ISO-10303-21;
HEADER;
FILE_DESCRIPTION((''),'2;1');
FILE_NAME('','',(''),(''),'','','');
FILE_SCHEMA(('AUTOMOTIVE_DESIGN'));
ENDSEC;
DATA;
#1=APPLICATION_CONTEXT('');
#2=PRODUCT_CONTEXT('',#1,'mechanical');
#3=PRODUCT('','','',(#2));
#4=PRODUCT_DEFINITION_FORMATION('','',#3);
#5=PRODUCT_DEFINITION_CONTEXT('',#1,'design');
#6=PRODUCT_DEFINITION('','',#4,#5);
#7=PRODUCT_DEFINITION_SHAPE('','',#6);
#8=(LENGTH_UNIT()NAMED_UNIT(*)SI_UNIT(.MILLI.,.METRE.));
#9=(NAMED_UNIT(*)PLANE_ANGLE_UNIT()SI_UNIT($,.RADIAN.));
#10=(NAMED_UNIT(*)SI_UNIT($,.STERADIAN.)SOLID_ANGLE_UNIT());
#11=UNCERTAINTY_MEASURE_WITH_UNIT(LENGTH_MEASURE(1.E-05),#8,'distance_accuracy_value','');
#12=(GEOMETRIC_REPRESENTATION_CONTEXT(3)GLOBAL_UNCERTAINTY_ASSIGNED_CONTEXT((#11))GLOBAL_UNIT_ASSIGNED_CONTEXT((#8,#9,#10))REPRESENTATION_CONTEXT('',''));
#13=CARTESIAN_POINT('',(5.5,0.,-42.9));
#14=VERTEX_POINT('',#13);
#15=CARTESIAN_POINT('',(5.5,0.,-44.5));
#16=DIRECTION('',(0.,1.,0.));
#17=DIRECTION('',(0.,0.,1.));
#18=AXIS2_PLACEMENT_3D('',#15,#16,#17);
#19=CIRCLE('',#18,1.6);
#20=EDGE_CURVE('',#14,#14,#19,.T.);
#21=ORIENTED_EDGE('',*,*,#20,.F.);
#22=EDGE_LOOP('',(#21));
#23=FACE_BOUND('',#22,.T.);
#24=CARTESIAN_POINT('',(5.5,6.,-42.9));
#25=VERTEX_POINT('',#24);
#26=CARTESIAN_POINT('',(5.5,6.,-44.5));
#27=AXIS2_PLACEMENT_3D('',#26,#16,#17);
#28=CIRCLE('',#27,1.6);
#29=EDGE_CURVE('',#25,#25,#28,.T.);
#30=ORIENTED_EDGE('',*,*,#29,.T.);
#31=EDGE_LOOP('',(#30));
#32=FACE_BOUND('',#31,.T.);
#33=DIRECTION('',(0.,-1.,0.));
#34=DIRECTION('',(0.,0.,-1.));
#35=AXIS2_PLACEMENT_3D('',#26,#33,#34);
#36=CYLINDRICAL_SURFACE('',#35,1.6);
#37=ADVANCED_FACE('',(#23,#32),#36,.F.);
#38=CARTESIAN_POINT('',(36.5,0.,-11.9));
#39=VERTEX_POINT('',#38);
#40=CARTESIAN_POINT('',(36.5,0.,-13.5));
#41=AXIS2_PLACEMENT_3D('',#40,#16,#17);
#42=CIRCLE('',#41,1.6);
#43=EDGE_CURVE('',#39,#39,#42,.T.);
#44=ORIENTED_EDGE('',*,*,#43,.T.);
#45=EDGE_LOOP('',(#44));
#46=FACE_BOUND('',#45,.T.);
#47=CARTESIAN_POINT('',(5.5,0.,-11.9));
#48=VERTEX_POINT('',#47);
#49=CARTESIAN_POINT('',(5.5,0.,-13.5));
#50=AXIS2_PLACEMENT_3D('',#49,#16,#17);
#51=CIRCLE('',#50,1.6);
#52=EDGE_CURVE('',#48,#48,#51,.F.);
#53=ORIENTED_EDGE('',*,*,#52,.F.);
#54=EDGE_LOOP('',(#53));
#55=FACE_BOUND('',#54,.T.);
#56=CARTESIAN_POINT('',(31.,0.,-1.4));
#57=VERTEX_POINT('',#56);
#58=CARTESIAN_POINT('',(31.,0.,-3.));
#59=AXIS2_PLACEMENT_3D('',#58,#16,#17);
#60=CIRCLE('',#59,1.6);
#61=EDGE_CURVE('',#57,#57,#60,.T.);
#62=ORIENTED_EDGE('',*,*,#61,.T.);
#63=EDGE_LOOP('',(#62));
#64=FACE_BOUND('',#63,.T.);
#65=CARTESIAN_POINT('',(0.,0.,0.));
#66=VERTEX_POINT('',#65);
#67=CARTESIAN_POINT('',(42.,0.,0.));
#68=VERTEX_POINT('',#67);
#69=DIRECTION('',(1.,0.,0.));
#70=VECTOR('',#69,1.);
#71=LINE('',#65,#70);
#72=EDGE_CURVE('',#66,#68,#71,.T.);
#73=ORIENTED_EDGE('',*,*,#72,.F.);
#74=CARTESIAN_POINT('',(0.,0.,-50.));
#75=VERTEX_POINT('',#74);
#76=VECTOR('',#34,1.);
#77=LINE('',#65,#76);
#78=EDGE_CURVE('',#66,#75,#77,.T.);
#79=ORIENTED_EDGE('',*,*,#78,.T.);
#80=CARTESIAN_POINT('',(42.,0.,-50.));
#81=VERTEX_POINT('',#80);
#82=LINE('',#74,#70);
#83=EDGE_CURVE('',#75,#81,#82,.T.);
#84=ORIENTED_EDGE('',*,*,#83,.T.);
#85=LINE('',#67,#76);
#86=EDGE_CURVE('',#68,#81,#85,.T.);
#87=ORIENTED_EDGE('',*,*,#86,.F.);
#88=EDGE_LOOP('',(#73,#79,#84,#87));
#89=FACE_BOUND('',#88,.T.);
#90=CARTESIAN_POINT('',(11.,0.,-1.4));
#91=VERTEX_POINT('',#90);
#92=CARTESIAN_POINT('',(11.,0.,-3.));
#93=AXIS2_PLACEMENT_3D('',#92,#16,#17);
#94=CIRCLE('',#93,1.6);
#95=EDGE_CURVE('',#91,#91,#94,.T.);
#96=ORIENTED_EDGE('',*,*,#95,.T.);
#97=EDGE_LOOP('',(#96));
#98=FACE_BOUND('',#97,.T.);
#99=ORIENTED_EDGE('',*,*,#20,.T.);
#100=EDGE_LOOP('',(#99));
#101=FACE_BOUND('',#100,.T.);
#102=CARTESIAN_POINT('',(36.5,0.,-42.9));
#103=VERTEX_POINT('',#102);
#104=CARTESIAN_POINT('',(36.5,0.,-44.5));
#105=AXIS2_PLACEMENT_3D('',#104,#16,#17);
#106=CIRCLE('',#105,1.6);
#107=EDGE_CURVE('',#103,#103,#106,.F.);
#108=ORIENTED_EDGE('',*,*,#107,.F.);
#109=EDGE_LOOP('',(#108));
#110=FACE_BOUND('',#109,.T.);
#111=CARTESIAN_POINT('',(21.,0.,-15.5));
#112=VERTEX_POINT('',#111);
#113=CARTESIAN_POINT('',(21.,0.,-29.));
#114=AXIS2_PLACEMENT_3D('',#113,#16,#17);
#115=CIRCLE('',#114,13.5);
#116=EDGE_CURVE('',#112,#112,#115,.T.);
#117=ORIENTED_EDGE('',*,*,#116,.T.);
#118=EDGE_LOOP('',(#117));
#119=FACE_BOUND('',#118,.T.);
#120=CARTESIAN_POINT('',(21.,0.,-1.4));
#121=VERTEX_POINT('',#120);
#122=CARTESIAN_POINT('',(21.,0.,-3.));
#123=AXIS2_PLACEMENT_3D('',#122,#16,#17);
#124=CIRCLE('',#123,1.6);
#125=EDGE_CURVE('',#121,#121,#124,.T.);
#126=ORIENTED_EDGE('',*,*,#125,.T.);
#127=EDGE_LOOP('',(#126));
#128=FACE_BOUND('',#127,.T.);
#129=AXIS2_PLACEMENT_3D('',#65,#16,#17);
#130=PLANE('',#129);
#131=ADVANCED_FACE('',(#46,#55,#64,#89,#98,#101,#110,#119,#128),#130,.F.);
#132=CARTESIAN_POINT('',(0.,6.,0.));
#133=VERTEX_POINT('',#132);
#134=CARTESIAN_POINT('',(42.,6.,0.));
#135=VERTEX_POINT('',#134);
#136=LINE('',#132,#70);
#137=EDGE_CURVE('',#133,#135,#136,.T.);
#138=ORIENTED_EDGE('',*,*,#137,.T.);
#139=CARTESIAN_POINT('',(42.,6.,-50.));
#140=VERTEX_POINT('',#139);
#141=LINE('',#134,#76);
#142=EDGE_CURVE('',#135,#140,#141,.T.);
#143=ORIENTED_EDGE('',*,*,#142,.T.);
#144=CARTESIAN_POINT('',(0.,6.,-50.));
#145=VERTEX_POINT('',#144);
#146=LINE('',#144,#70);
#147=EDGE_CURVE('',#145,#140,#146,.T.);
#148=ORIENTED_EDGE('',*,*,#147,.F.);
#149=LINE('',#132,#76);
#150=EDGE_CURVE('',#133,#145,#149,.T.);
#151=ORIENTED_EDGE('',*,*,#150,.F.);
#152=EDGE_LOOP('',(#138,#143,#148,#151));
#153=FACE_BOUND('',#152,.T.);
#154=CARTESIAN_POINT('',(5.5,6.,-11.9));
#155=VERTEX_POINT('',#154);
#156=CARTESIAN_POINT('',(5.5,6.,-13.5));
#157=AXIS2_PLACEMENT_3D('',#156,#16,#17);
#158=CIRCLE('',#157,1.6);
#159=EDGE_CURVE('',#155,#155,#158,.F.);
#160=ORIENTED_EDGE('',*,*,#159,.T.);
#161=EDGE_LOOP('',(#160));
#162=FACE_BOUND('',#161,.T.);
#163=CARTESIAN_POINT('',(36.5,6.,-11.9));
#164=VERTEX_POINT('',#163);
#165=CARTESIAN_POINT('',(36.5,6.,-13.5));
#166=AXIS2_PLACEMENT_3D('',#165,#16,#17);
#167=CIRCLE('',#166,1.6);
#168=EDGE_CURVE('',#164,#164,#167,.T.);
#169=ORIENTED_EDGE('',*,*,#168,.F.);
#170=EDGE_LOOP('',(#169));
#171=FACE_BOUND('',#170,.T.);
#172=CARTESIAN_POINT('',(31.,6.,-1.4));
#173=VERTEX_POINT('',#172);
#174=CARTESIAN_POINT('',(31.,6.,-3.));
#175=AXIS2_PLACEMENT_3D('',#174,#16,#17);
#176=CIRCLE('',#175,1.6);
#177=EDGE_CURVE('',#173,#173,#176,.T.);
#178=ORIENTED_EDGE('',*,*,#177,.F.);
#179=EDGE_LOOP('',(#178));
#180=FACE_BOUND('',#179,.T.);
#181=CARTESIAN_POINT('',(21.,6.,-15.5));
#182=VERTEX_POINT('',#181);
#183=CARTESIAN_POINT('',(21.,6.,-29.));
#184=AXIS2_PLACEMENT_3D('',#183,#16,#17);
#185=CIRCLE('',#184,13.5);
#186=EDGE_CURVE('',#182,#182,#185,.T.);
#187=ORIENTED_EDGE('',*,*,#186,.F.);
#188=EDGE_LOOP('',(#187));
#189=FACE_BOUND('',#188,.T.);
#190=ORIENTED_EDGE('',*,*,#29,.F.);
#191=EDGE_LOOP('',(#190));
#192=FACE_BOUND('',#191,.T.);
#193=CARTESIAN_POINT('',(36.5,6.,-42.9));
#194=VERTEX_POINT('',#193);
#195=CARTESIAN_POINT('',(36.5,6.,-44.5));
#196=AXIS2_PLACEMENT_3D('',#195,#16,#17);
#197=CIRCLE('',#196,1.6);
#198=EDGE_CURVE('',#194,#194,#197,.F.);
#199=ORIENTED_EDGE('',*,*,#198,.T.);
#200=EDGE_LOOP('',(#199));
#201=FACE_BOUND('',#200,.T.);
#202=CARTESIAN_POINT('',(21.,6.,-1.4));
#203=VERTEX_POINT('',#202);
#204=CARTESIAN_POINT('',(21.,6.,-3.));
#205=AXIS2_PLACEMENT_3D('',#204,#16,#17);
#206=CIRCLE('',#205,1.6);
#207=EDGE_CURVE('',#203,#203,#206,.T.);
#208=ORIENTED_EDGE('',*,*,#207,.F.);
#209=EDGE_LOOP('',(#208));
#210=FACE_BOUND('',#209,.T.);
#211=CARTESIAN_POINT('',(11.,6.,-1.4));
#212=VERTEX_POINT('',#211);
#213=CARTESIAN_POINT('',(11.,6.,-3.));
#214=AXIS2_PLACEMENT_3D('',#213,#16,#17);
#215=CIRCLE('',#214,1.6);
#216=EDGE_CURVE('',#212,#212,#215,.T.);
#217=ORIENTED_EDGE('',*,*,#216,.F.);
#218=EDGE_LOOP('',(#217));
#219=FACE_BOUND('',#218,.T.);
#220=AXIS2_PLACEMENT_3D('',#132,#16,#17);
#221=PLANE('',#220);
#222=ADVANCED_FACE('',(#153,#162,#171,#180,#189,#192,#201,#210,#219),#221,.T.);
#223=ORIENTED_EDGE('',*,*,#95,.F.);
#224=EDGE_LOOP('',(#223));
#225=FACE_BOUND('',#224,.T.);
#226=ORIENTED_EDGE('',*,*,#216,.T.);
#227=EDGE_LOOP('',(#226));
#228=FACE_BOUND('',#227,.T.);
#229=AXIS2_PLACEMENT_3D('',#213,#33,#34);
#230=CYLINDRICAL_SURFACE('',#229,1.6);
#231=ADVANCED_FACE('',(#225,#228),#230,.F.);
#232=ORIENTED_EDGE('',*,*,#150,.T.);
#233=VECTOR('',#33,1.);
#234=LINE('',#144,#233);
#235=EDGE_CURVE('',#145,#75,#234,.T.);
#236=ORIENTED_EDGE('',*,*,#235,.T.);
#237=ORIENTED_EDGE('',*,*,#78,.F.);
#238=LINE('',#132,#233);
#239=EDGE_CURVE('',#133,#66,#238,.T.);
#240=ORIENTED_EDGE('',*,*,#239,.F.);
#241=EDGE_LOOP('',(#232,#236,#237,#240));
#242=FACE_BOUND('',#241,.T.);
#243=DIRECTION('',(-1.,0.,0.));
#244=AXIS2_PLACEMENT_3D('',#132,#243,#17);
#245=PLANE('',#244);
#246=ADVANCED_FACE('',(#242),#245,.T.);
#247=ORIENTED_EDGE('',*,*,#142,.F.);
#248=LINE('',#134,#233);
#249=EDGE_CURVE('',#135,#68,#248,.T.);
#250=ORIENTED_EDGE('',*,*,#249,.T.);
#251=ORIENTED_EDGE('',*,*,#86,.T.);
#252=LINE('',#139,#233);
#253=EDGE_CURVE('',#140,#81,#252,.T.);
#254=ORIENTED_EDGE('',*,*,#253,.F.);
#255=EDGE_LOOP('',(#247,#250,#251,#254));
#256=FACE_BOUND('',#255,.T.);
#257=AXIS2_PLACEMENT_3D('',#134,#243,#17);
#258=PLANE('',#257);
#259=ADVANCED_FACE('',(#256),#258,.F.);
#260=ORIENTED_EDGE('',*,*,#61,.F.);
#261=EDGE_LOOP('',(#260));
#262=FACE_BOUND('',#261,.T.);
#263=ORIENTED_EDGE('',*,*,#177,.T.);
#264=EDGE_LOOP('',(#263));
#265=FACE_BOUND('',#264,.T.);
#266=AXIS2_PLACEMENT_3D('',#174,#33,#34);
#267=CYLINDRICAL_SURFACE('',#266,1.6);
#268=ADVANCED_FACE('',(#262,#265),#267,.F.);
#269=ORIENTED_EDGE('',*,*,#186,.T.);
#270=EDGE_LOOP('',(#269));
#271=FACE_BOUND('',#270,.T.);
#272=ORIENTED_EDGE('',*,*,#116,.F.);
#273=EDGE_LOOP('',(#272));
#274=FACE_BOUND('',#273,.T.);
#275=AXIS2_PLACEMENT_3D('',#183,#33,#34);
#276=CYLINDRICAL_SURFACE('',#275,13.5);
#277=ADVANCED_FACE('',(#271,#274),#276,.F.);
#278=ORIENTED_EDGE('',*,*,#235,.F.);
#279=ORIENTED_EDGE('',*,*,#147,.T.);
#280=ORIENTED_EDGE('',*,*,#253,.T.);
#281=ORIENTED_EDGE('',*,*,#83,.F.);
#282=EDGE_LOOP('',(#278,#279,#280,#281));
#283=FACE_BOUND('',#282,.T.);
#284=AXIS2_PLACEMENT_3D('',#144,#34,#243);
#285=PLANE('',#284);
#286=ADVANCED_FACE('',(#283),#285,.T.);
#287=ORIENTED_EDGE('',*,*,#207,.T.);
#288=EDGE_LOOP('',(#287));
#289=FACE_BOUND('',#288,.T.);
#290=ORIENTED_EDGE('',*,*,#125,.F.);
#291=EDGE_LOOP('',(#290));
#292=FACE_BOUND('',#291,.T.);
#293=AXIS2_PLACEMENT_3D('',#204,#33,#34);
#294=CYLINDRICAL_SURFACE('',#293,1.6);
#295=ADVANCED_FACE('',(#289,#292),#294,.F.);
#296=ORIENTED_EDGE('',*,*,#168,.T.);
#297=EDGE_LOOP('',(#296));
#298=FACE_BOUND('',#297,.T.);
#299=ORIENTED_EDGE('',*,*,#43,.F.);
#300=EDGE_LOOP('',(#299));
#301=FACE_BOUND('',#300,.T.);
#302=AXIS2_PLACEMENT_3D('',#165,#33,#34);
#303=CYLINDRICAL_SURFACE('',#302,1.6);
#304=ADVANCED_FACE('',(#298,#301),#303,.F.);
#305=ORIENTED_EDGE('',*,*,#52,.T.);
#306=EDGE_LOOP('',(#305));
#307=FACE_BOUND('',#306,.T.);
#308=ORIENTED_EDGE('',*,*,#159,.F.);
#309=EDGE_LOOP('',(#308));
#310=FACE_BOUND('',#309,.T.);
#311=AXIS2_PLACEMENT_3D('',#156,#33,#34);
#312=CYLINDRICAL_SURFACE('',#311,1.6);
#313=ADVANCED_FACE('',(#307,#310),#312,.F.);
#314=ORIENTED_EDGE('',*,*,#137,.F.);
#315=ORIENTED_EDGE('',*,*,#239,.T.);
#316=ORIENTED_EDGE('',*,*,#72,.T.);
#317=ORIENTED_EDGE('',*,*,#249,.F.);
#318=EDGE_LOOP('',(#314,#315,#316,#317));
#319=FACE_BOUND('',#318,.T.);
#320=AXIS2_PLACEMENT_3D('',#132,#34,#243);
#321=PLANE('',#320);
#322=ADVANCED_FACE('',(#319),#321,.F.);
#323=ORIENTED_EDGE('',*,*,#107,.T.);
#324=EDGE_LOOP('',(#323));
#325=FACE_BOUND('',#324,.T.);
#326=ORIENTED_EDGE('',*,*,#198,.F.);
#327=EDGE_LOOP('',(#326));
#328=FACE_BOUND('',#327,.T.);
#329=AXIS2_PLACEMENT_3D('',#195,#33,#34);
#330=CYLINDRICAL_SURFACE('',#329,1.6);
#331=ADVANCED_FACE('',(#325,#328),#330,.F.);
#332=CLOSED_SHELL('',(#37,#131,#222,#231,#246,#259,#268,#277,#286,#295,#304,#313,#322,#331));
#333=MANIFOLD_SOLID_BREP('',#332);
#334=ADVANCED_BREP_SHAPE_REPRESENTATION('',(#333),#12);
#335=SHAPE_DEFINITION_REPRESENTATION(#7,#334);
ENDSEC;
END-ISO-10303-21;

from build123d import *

# Parameters (mm, degrees)
SKETCH_1_W      = 42
SKETCH_1_H      = 50
SKETCH_1_R      = 13.5
SKETCH_1_R_2    = 1.6
EXTRUDE_1_DEPTH = 6


with BuildPart() as part:
    # 草图1 → 凸台-拉伸1 (new body)
    with BuildSketch(Plane(origin=(0, 0, 0), x_dir=(1, 0, 0), z_dir=(0, 1, 0))):
        with Locations((21, 25)):
            Rectangle(SKETCH_1_W, SKETCH_1_H)
        with Locations(Location((21, 29, 0), (0, 0, 270))):
            Circle(SKETCH_1_R, mode=Mode.SUBTRACT)
        with Locations(Location((11, 3, 0), (0, 0, 270))):
            Circle(SKETCH_1_R_2, mode=Mode.SUBTRACT)
        with Locations(Location((31, 3, 0), (0, 0, 270))):
            Circle(SKETCH_1_R_2, mode=Mode.SUBTRACT)
        with Locations(Location((36.5, 44.5, 0), (0, 0, 270))):
            Circle(SKETCH_1_R_2, mode=Mode.SUBTRACT)
        with Locations(Location((5.5, 44.5, 0), (0, 0, 270))):
            Circle(SKETCH_1_R_2, mode=Mode.SUBTRACT)
        with Locations(Location((21, 3, 0), (0, 0, 270))):
            Circle(SKETCH_1_R_2, mode=Mode.SUBTRACT)
        with Locations(Location((36.5, 13.5, 0), (0, 0, 270))):
            Circle(SKETCH_1_R_2, mode=Mode.SUBTRACT)
        with Locations(Location((5.5, 13.5, 0), (0, 0, 270))):
            Circle(SKETCH_1_R_2, mode=Mode.SUBTRACT)
    extrude(amount=EXTRUDE_1_DEPTH)


solid = part.part
